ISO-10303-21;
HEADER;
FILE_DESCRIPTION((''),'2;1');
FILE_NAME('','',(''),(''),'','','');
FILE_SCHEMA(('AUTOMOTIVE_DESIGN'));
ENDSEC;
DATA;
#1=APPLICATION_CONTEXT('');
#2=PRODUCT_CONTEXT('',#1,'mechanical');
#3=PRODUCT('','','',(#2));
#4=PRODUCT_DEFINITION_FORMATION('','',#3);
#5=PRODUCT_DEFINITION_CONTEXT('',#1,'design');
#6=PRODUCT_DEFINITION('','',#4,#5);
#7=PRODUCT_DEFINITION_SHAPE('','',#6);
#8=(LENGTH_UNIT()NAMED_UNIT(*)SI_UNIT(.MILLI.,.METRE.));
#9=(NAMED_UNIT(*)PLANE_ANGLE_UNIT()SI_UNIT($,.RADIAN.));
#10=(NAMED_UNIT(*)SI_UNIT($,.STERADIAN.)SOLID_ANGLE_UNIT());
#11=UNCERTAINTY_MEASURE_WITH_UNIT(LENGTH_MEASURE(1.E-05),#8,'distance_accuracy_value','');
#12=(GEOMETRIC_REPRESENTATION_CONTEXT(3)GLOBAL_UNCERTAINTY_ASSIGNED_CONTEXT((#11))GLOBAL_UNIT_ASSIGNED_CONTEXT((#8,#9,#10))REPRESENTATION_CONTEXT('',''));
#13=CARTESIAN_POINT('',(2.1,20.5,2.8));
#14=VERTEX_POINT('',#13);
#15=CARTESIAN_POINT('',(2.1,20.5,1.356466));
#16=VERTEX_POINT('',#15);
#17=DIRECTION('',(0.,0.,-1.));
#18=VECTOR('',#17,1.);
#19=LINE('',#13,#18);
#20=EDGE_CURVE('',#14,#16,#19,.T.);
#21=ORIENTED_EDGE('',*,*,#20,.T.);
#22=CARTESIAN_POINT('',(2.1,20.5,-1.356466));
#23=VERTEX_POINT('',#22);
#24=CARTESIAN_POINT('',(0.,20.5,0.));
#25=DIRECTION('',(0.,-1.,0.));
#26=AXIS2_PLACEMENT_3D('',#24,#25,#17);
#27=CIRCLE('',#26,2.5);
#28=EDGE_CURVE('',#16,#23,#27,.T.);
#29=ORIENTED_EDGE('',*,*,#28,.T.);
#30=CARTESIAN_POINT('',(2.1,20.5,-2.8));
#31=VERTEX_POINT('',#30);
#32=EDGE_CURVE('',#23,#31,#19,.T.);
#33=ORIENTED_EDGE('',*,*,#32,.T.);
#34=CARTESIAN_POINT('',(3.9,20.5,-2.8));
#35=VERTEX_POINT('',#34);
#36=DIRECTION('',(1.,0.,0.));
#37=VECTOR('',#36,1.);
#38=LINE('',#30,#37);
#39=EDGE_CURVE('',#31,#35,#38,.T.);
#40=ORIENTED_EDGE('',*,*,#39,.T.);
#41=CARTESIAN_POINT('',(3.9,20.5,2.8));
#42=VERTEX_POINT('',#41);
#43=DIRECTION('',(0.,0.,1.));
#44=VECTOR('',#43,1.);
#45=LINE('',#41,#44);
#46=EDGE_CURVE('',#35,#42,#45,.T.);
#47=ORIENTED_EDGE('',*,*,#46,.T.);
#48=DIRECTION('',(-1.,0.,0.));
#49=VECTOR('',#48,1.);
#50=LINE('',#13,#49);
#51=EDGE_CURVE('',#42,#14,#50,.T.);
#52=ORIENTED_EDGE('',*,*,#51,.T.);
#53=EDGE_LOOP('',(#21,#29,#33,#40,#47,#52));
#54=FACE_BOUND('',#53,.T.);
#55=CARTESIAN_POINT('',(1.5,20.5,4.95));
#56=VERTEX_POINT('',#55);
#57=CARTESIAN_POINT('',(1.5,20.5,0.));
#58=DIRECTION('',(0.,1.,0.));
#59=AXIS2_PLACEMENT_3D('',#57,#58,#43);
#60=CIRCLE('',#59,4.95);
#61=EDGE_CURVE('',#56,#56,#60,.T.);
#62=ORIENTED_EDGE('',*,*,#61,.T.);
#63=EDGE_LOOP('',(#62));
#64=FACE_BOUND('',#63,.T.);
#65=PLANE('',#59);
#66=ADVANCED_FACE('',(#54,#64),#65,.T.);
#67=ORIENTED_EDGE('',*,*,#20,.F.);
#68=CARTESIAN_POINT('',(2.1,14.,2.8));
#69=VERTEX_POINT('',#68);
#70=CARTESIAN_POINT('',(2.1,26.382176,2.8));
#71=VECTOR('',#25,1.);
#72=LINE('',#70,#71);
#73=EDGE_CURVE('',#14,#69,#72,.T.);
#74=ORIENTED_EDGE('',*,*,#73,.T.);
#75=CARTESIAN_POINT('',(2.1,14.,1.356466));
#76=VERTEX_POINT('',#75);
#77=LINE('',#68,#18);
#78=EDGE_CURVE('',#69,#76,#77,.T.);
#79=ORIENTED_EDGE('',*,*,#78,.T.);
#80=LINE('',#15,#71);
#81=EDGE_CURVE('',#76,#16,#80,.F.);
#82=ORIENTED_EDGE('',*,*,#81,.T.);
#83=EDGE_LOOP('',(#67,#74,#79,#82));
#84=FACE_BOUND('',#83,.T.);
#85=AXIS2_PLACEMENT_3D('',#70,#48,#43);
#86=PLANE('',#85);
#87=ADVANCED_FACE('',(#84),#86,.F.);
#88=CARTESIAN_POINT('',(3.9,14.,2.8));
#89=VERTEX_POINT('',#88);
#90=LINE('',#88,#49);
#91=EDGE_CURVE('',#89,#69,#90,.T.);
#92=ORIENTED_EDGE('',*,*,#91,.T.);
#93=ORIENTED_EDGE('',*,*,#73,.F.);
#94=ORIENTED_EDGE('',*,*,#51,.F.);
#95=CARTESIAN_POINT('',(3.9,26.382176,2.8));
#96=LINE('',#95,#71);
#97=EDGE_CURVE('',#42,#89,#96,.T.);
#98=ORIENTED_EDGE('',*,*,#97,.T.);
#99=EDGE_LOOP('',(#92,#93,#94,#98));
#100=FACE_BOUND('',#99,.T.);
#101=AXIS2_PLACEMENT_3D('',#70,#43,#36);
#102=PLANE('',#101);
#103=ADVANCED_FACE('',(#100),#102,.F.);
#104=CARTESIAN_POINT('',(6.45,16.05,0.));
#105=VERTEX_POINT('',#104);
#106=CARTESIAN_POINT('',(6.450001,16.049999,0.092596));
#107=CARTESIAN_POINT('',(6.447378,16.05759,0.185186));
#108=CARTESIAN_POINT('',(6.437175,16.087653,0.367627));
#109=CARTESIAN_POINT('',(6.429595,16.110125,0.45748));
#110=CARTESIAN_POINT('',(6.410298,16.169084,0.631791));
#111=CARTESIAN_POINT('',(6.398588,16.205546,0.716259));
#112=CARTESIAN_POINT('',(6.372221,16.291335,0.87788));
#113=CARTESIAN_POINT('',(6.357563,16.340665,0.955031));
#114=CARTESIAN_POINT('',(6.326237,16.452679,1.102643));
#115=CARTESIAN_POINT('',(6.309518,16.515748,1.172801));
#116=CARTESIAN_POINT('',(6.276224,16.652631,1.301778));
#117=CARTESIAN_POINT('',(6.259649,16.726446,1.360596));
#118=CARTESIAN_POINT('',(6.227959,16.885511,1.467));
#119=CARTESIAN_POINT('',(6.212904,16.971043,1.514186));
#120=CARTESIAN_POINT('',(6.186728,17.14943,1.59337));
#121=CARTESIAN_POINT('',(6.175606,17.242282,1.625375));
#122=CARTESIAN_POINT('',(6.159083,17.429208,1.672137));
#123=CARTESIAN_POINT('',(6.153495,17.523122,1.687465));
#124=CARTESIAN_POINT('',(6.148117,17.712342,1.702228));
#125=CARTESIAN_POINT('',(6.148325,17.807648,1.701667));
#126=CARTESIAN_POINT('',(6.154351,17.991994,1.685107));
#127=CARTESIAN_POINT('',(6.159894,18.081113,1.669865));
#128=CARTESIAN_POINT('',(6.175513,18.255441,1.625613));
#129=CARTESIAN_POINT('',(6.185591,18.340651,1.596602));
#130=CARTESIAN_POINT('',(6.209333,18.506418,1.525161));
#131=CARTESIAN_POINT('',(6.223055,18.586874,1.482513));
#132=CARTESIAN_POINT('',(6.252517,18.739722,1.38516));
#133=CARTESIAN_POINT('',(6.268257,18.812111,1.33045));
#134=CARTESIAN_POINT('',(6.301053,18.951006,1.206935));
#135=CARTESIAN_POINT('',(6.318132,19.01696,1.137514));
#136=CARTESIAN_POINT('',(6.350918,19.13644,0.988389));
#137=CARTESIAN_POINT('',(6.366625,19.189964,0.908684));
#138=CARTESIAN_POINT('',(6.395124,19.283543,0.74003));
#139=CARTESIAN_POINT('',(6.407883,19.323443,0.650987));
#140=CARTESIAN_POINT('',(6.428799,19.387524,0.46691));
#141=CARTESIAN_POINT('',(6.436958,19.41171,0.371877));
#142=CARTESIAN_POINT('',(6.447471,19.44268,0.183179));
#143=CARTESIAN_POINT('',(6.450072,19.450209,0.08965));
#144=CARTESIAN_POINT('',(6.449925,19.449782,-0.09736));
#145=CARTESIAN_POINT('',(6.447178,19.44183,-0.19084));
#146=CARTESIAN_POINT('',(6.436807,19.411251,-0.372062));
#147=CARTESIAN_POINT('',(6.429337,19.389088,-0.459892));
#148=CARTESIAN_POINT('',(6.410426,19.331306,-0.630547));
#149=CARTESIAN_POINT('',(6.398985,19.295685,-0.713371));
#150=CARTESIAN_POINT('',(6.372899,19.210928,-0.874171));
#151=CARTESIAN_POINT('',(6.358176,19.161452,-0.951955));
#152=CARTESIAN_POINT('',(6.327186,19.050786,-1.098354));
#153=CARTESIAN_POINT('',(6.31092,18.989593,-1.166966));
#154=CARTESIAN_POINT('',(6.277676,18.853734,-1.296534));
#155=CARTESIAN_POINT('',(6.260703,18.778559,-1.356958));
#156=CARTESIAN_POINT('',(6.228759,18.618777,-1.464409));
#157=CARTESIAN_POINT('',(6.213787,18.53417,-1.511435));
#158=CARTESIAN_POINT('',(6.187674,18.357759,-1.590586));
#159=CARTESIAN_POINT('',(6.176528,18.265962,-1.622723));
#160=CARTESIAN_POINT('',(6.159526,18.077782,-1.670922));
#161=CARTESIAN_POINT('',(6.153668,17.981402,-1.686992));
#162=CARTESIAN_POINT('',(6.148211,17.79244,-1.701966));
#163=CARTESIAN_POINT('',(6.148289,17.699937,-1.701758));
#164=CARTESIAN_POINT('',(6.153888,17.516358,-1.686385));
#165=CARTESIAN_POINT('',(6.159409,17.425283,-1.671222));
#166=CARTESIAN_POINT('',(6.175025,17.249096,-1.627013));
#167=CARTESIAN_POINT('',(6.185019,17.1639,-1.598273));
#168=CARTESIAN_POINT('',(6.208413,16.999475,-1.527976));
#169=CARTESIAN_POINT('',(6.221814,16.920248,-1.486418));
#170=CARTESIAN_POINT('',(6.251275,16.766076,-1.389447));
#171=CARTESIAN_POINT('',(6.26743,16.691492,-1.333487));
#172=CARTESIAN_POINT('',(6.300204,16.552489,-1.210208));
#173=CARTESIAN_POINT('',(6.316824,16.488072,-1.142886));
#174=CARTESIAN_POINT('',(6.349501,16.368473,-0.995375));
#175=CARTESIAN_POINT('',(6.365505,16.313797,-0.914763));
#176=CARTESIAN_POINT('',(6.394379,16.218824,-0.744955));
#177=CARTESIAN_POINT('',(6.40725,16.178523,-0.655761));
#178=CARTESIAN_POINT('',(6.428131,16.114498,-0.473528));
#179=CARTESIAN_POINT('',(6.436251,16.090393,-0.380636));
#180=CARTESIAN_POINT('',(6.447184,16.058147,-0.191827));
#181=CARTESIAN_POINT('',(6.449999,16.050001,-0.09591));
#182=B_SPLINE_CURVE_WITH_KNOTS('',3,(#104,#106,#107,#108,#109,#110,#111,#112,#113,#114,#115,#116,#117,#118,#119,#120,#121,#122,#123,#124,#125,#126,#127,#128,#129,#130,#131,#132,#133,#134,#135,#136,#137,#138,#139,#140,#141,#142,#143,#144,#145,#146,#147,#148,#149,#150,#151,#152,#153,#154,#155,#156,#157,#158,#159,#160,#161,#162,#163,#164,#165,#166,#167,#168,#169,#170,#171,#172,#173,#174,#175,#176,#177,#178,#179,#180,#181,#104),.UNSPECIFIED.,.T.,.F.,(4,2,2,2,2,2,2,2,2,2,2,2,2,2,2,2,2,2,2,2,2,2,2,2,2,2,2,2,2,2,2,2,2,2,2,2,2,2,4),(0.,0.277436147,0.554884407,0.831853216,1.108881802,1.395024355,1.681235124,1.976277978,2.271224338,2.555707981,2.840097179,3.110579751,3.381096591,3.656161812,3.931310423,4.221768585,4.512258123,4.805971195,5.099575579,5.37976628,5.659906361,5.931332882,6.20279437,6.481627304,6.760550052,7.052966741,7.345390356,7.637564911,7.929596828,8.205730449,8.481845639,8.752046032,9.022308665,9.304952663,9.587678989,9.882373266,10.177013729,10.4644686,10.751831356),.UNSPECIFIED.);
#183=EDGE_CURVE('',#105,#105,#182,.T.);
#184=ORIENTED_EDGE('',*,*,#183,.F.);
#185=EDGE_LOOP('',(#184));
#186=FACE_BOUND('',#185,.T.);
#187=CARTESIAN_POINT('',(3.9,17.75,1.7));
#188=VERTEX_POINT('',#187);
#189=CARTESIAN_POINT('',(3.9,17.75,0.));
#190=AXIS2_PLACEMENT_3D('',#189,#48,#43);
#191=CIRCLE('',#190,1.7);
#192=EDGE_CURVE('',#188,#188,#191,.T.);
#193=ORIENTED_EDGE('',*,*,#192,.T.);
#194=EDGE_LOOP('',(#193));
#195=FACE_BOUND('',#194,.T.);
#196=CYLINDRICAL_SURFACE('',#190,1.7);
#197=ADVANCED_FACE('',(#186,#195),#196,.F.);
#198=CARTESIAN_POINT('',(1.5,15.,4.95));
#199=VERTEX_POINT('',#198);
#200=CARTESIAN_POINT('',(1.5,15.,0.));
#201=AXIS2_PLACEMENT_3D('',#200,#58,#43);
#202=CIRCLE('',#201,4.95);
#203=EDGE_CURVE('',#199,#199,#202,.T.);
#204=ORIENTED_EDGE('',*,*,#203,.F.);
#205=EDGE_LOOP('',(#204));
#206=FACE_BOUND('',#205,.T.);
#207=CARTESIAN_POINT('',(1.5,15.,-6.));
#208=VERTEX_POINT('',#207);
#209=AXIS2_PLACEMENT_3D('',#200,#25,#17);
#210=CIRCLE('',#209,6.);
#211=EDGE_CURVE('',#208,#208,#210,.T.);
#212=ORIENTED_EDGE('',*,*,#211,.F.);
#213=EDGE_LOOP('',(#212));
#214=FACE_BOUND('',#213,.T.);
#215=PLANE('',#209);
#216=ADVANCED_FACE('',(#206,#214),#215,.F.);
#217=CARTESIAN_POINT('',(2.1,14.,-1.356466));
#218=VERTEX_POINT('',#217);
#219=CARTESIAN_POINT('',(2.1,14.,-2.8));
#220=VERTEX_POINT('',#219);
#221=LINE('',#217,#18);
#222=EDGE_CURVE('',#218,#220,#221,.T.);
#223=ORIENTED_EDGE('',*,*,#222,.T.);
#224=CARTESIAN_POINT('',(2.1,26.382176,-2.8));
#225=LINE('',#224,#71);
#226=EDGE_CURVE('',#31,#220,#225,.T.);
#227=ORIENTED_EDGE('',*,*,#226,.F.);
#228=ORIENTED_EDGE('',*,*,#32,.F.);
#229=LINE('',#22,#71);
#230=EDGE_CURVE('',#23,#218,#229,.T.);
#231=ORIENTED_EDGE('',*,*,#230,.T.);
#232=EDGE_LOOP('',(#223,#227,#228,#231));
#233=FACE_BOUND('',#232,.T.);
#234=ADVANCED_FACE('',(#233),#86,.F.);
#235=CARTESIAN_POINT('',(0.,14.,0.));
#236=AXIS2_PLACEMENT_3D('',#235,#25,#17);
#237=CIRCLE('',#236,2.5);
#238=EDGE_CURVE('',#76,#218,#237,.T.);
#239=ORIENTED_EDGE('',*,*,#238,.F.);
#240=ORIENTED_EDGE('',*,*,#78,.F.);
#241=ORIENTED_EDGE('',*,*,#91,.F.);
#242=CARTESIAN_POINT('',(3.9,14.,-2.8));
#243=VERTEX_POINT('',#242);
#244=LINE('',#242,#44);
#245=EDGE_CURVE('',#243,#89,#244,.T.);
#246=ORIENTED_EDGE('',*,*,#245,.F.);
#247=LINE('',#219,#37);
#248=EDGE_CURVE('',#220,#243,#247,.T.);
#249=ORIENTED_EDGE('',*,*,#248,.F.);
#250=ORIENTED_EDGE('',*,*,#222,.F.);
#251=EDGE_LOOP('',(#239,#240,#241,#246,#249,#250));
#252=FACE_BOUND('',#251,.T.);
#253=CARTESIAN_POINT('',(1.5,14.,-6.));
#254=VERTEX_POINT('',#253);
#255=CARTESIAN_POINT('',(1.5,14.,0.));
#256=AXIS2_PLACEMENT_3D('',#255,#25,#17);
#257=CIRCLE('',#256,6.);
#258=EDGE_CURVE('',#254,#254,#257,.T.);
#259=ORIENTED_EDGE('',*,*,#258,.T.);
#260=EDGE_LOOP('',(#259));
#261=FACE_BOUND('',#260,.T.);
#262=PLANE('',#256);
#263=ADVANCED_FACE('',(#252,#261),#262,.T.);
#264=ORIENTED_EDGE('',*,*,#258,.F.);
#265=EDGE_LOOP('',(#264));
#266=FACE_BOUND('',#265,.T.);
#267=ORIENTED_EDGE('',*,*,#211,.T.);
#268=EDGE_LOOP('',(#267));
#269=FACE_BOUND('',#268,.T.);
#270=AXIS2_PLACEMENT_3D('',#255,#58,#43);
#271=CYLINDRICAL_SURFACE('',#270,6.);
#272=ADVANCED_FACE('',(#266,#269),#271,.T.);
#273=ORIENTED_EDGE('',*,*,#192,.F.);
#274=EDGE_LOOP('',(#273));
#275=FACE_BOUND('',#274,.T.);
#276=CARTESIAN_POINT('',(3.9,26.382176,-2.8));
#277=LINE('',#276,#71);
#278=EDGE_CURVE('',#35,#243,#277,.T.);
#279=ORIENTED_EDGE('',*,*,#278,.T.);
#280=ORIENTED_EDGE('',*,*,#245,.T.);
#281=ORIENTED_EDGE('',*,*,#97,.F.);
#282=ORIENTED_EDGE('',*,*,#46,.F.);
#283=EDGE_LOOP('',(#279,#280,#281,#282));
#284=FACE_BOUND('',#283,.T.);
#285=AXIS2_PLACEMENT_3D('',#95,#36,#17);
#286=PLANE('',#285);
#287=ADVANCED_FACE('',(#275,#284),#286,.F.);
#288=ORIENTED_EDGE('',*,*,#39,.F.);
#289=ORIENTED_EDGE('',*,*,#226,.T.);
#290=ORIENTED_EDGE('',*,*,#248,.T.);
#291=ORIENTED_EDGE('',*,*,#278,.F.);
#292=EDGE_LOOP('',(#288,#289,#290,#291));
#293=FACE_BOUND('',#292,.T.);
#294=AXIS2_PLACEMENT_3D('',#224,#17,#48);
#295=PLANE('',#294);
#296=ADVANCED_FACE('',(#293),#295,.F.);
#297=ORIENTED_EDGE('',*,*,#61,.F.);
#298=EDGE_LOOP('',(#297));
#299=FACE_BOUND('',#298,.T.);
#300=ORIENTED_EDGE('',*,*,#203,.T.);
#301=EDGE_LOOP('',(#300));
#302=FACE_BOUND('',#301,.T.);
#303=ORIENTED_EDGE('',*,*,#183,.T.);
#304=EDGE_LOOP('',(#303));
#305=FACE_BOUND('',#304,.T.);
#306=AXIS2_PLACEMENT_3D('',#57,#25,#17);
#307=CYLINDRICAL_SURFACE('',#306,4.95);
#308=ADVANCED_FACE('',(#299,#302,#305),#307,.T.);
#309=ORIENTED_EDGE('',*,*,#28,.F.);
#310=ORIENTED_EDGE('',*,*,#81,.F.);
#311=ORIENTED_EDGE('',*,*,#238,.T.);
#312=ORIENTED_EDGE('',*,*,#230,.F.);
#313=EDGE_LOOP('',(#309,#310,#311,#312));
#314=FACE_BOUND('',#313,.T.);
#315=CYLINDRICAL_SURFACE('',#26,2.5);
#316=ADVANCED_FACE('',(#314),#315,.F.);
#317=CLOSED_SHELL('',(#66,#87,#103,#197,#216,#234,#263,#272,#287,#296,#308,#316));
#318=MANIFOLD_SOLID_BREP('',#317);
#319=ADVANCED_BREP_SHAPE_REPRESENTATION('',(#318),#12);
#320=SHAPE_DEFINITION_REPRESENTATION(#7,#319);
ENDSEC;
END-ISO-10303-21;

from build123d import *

# Parameters (mm, degrees)
SKETCH1_R           = 2.5
BOSS_EXTRUDE1_DEPTH = 15
SKETCH2_R           = 4.95
BOSS_EXTRUDE2_DEPTH = 5.5
SKETCH7_W           = 1.8
SKETCH7_H           = 5.6
CUT_EXTRUDE3_DEPTH  = 5.5
SKETCH10_R          = 2.5
CUT_EXTRUDE4_DEPTH  = 23.053457779
SKETCH13_W          = 1.7
SKETCH13_H          = 2.55
BOSS_EXTRUDE5_START = 1
SKETCH14_R          = 6
BOSS_EXTRUDE5_DEPTH = 1


with BuildPart() as part:
    # Sketch1 → Boss-Extrude1 (new body)
    with BuildSketch(Plane(origin=(0, 0, 0), x_dir=(1, 0, 0), z_dir=(0, 1, 0))):
        with Locations(Location((0, 0, 0), (0, 0, 270))):
            Circle(SKETCH1_R)
    extrude(amount=BOSS_EXTRUDE1_DEPTH)

    # Sketch2 → Boss-Extrude2 (add)
    with BuildSketch(Plane(origin=(0, 15, 0), x_dir=(1, 0, 0), z_dir=(0, 1, 0))):
        with Locations(Location((1.5, 0, 0), (0, 0, 270))):
            Circle(SKETCH2_R)
    extrude(amount=BOSS_EXTRUDE2_DEPTH)

    # Sketch7 → Cut-Extrude3 (cut)
    with BuildSketch(Plane.XZ.offset(-15)):
        with Locations((3, 0)):
            Rectangle(SKETCH7_W, SKETCH7_H)
    extrude(amount=-CUT_EXTRUDE3_DEPTH, mode=Mode.SUBTRACT)

    # Sketch10 → Cut-Extrude4 (cut, through all)
    with BuildSketch(Plane.XZ):
        Circle(SKETCH10_R)
    extrude(amount=-CUT_EXTRUDE4_DEPTH, mode=Mode.SUBTRACT)

    # Sketch13 → M3 Clearance Hole1 (revolve, cut)
    with BuildSketch(Plane(origin=(3.9, 17.75, 0), x_dir=(0, 0, 1), z_dir=(0, 1, 0))):
        with Locations((0.85, 1.275)):
            Rectangle(SKETCH13_W, SKETCH13_H)
    revolve(axis=Axis((-2.45, 17.75, 0), (1, 0, 0)), mode=Mode.SUBTRACT)

    # Sketch14 → Boss-Extrude5 (add)
    with BuildSketch(Plane.XZ.offset(-15).offset(BOSS_EXTRUDE5_START)):
        with Locations(Location((1.5, 0, 0), (0, 0, 270))):
            Circle(SKETCH14_R)
        with BuildLine():
            Line((2.1, 2.8), (2.1, 1.356465997))
            ThreePointArc((2.1, 1.356465997), (-2.5, 0), (2.1, -1.356465997))
            Line((2.1, -1.356465997), (2.1, -2.8))
            Line((2.1, -2.8), (3.9, -2.8))
            Line((3.9, -2.8), (3.9, 2.8))
            Line((3.9, 2.8), (2.1, 2.8))
        make_face(mode=Mode.SUBTRACT)
    extrude(amount=-BOSS_EXTRUDE5_DEPTH)


solid = part.part
